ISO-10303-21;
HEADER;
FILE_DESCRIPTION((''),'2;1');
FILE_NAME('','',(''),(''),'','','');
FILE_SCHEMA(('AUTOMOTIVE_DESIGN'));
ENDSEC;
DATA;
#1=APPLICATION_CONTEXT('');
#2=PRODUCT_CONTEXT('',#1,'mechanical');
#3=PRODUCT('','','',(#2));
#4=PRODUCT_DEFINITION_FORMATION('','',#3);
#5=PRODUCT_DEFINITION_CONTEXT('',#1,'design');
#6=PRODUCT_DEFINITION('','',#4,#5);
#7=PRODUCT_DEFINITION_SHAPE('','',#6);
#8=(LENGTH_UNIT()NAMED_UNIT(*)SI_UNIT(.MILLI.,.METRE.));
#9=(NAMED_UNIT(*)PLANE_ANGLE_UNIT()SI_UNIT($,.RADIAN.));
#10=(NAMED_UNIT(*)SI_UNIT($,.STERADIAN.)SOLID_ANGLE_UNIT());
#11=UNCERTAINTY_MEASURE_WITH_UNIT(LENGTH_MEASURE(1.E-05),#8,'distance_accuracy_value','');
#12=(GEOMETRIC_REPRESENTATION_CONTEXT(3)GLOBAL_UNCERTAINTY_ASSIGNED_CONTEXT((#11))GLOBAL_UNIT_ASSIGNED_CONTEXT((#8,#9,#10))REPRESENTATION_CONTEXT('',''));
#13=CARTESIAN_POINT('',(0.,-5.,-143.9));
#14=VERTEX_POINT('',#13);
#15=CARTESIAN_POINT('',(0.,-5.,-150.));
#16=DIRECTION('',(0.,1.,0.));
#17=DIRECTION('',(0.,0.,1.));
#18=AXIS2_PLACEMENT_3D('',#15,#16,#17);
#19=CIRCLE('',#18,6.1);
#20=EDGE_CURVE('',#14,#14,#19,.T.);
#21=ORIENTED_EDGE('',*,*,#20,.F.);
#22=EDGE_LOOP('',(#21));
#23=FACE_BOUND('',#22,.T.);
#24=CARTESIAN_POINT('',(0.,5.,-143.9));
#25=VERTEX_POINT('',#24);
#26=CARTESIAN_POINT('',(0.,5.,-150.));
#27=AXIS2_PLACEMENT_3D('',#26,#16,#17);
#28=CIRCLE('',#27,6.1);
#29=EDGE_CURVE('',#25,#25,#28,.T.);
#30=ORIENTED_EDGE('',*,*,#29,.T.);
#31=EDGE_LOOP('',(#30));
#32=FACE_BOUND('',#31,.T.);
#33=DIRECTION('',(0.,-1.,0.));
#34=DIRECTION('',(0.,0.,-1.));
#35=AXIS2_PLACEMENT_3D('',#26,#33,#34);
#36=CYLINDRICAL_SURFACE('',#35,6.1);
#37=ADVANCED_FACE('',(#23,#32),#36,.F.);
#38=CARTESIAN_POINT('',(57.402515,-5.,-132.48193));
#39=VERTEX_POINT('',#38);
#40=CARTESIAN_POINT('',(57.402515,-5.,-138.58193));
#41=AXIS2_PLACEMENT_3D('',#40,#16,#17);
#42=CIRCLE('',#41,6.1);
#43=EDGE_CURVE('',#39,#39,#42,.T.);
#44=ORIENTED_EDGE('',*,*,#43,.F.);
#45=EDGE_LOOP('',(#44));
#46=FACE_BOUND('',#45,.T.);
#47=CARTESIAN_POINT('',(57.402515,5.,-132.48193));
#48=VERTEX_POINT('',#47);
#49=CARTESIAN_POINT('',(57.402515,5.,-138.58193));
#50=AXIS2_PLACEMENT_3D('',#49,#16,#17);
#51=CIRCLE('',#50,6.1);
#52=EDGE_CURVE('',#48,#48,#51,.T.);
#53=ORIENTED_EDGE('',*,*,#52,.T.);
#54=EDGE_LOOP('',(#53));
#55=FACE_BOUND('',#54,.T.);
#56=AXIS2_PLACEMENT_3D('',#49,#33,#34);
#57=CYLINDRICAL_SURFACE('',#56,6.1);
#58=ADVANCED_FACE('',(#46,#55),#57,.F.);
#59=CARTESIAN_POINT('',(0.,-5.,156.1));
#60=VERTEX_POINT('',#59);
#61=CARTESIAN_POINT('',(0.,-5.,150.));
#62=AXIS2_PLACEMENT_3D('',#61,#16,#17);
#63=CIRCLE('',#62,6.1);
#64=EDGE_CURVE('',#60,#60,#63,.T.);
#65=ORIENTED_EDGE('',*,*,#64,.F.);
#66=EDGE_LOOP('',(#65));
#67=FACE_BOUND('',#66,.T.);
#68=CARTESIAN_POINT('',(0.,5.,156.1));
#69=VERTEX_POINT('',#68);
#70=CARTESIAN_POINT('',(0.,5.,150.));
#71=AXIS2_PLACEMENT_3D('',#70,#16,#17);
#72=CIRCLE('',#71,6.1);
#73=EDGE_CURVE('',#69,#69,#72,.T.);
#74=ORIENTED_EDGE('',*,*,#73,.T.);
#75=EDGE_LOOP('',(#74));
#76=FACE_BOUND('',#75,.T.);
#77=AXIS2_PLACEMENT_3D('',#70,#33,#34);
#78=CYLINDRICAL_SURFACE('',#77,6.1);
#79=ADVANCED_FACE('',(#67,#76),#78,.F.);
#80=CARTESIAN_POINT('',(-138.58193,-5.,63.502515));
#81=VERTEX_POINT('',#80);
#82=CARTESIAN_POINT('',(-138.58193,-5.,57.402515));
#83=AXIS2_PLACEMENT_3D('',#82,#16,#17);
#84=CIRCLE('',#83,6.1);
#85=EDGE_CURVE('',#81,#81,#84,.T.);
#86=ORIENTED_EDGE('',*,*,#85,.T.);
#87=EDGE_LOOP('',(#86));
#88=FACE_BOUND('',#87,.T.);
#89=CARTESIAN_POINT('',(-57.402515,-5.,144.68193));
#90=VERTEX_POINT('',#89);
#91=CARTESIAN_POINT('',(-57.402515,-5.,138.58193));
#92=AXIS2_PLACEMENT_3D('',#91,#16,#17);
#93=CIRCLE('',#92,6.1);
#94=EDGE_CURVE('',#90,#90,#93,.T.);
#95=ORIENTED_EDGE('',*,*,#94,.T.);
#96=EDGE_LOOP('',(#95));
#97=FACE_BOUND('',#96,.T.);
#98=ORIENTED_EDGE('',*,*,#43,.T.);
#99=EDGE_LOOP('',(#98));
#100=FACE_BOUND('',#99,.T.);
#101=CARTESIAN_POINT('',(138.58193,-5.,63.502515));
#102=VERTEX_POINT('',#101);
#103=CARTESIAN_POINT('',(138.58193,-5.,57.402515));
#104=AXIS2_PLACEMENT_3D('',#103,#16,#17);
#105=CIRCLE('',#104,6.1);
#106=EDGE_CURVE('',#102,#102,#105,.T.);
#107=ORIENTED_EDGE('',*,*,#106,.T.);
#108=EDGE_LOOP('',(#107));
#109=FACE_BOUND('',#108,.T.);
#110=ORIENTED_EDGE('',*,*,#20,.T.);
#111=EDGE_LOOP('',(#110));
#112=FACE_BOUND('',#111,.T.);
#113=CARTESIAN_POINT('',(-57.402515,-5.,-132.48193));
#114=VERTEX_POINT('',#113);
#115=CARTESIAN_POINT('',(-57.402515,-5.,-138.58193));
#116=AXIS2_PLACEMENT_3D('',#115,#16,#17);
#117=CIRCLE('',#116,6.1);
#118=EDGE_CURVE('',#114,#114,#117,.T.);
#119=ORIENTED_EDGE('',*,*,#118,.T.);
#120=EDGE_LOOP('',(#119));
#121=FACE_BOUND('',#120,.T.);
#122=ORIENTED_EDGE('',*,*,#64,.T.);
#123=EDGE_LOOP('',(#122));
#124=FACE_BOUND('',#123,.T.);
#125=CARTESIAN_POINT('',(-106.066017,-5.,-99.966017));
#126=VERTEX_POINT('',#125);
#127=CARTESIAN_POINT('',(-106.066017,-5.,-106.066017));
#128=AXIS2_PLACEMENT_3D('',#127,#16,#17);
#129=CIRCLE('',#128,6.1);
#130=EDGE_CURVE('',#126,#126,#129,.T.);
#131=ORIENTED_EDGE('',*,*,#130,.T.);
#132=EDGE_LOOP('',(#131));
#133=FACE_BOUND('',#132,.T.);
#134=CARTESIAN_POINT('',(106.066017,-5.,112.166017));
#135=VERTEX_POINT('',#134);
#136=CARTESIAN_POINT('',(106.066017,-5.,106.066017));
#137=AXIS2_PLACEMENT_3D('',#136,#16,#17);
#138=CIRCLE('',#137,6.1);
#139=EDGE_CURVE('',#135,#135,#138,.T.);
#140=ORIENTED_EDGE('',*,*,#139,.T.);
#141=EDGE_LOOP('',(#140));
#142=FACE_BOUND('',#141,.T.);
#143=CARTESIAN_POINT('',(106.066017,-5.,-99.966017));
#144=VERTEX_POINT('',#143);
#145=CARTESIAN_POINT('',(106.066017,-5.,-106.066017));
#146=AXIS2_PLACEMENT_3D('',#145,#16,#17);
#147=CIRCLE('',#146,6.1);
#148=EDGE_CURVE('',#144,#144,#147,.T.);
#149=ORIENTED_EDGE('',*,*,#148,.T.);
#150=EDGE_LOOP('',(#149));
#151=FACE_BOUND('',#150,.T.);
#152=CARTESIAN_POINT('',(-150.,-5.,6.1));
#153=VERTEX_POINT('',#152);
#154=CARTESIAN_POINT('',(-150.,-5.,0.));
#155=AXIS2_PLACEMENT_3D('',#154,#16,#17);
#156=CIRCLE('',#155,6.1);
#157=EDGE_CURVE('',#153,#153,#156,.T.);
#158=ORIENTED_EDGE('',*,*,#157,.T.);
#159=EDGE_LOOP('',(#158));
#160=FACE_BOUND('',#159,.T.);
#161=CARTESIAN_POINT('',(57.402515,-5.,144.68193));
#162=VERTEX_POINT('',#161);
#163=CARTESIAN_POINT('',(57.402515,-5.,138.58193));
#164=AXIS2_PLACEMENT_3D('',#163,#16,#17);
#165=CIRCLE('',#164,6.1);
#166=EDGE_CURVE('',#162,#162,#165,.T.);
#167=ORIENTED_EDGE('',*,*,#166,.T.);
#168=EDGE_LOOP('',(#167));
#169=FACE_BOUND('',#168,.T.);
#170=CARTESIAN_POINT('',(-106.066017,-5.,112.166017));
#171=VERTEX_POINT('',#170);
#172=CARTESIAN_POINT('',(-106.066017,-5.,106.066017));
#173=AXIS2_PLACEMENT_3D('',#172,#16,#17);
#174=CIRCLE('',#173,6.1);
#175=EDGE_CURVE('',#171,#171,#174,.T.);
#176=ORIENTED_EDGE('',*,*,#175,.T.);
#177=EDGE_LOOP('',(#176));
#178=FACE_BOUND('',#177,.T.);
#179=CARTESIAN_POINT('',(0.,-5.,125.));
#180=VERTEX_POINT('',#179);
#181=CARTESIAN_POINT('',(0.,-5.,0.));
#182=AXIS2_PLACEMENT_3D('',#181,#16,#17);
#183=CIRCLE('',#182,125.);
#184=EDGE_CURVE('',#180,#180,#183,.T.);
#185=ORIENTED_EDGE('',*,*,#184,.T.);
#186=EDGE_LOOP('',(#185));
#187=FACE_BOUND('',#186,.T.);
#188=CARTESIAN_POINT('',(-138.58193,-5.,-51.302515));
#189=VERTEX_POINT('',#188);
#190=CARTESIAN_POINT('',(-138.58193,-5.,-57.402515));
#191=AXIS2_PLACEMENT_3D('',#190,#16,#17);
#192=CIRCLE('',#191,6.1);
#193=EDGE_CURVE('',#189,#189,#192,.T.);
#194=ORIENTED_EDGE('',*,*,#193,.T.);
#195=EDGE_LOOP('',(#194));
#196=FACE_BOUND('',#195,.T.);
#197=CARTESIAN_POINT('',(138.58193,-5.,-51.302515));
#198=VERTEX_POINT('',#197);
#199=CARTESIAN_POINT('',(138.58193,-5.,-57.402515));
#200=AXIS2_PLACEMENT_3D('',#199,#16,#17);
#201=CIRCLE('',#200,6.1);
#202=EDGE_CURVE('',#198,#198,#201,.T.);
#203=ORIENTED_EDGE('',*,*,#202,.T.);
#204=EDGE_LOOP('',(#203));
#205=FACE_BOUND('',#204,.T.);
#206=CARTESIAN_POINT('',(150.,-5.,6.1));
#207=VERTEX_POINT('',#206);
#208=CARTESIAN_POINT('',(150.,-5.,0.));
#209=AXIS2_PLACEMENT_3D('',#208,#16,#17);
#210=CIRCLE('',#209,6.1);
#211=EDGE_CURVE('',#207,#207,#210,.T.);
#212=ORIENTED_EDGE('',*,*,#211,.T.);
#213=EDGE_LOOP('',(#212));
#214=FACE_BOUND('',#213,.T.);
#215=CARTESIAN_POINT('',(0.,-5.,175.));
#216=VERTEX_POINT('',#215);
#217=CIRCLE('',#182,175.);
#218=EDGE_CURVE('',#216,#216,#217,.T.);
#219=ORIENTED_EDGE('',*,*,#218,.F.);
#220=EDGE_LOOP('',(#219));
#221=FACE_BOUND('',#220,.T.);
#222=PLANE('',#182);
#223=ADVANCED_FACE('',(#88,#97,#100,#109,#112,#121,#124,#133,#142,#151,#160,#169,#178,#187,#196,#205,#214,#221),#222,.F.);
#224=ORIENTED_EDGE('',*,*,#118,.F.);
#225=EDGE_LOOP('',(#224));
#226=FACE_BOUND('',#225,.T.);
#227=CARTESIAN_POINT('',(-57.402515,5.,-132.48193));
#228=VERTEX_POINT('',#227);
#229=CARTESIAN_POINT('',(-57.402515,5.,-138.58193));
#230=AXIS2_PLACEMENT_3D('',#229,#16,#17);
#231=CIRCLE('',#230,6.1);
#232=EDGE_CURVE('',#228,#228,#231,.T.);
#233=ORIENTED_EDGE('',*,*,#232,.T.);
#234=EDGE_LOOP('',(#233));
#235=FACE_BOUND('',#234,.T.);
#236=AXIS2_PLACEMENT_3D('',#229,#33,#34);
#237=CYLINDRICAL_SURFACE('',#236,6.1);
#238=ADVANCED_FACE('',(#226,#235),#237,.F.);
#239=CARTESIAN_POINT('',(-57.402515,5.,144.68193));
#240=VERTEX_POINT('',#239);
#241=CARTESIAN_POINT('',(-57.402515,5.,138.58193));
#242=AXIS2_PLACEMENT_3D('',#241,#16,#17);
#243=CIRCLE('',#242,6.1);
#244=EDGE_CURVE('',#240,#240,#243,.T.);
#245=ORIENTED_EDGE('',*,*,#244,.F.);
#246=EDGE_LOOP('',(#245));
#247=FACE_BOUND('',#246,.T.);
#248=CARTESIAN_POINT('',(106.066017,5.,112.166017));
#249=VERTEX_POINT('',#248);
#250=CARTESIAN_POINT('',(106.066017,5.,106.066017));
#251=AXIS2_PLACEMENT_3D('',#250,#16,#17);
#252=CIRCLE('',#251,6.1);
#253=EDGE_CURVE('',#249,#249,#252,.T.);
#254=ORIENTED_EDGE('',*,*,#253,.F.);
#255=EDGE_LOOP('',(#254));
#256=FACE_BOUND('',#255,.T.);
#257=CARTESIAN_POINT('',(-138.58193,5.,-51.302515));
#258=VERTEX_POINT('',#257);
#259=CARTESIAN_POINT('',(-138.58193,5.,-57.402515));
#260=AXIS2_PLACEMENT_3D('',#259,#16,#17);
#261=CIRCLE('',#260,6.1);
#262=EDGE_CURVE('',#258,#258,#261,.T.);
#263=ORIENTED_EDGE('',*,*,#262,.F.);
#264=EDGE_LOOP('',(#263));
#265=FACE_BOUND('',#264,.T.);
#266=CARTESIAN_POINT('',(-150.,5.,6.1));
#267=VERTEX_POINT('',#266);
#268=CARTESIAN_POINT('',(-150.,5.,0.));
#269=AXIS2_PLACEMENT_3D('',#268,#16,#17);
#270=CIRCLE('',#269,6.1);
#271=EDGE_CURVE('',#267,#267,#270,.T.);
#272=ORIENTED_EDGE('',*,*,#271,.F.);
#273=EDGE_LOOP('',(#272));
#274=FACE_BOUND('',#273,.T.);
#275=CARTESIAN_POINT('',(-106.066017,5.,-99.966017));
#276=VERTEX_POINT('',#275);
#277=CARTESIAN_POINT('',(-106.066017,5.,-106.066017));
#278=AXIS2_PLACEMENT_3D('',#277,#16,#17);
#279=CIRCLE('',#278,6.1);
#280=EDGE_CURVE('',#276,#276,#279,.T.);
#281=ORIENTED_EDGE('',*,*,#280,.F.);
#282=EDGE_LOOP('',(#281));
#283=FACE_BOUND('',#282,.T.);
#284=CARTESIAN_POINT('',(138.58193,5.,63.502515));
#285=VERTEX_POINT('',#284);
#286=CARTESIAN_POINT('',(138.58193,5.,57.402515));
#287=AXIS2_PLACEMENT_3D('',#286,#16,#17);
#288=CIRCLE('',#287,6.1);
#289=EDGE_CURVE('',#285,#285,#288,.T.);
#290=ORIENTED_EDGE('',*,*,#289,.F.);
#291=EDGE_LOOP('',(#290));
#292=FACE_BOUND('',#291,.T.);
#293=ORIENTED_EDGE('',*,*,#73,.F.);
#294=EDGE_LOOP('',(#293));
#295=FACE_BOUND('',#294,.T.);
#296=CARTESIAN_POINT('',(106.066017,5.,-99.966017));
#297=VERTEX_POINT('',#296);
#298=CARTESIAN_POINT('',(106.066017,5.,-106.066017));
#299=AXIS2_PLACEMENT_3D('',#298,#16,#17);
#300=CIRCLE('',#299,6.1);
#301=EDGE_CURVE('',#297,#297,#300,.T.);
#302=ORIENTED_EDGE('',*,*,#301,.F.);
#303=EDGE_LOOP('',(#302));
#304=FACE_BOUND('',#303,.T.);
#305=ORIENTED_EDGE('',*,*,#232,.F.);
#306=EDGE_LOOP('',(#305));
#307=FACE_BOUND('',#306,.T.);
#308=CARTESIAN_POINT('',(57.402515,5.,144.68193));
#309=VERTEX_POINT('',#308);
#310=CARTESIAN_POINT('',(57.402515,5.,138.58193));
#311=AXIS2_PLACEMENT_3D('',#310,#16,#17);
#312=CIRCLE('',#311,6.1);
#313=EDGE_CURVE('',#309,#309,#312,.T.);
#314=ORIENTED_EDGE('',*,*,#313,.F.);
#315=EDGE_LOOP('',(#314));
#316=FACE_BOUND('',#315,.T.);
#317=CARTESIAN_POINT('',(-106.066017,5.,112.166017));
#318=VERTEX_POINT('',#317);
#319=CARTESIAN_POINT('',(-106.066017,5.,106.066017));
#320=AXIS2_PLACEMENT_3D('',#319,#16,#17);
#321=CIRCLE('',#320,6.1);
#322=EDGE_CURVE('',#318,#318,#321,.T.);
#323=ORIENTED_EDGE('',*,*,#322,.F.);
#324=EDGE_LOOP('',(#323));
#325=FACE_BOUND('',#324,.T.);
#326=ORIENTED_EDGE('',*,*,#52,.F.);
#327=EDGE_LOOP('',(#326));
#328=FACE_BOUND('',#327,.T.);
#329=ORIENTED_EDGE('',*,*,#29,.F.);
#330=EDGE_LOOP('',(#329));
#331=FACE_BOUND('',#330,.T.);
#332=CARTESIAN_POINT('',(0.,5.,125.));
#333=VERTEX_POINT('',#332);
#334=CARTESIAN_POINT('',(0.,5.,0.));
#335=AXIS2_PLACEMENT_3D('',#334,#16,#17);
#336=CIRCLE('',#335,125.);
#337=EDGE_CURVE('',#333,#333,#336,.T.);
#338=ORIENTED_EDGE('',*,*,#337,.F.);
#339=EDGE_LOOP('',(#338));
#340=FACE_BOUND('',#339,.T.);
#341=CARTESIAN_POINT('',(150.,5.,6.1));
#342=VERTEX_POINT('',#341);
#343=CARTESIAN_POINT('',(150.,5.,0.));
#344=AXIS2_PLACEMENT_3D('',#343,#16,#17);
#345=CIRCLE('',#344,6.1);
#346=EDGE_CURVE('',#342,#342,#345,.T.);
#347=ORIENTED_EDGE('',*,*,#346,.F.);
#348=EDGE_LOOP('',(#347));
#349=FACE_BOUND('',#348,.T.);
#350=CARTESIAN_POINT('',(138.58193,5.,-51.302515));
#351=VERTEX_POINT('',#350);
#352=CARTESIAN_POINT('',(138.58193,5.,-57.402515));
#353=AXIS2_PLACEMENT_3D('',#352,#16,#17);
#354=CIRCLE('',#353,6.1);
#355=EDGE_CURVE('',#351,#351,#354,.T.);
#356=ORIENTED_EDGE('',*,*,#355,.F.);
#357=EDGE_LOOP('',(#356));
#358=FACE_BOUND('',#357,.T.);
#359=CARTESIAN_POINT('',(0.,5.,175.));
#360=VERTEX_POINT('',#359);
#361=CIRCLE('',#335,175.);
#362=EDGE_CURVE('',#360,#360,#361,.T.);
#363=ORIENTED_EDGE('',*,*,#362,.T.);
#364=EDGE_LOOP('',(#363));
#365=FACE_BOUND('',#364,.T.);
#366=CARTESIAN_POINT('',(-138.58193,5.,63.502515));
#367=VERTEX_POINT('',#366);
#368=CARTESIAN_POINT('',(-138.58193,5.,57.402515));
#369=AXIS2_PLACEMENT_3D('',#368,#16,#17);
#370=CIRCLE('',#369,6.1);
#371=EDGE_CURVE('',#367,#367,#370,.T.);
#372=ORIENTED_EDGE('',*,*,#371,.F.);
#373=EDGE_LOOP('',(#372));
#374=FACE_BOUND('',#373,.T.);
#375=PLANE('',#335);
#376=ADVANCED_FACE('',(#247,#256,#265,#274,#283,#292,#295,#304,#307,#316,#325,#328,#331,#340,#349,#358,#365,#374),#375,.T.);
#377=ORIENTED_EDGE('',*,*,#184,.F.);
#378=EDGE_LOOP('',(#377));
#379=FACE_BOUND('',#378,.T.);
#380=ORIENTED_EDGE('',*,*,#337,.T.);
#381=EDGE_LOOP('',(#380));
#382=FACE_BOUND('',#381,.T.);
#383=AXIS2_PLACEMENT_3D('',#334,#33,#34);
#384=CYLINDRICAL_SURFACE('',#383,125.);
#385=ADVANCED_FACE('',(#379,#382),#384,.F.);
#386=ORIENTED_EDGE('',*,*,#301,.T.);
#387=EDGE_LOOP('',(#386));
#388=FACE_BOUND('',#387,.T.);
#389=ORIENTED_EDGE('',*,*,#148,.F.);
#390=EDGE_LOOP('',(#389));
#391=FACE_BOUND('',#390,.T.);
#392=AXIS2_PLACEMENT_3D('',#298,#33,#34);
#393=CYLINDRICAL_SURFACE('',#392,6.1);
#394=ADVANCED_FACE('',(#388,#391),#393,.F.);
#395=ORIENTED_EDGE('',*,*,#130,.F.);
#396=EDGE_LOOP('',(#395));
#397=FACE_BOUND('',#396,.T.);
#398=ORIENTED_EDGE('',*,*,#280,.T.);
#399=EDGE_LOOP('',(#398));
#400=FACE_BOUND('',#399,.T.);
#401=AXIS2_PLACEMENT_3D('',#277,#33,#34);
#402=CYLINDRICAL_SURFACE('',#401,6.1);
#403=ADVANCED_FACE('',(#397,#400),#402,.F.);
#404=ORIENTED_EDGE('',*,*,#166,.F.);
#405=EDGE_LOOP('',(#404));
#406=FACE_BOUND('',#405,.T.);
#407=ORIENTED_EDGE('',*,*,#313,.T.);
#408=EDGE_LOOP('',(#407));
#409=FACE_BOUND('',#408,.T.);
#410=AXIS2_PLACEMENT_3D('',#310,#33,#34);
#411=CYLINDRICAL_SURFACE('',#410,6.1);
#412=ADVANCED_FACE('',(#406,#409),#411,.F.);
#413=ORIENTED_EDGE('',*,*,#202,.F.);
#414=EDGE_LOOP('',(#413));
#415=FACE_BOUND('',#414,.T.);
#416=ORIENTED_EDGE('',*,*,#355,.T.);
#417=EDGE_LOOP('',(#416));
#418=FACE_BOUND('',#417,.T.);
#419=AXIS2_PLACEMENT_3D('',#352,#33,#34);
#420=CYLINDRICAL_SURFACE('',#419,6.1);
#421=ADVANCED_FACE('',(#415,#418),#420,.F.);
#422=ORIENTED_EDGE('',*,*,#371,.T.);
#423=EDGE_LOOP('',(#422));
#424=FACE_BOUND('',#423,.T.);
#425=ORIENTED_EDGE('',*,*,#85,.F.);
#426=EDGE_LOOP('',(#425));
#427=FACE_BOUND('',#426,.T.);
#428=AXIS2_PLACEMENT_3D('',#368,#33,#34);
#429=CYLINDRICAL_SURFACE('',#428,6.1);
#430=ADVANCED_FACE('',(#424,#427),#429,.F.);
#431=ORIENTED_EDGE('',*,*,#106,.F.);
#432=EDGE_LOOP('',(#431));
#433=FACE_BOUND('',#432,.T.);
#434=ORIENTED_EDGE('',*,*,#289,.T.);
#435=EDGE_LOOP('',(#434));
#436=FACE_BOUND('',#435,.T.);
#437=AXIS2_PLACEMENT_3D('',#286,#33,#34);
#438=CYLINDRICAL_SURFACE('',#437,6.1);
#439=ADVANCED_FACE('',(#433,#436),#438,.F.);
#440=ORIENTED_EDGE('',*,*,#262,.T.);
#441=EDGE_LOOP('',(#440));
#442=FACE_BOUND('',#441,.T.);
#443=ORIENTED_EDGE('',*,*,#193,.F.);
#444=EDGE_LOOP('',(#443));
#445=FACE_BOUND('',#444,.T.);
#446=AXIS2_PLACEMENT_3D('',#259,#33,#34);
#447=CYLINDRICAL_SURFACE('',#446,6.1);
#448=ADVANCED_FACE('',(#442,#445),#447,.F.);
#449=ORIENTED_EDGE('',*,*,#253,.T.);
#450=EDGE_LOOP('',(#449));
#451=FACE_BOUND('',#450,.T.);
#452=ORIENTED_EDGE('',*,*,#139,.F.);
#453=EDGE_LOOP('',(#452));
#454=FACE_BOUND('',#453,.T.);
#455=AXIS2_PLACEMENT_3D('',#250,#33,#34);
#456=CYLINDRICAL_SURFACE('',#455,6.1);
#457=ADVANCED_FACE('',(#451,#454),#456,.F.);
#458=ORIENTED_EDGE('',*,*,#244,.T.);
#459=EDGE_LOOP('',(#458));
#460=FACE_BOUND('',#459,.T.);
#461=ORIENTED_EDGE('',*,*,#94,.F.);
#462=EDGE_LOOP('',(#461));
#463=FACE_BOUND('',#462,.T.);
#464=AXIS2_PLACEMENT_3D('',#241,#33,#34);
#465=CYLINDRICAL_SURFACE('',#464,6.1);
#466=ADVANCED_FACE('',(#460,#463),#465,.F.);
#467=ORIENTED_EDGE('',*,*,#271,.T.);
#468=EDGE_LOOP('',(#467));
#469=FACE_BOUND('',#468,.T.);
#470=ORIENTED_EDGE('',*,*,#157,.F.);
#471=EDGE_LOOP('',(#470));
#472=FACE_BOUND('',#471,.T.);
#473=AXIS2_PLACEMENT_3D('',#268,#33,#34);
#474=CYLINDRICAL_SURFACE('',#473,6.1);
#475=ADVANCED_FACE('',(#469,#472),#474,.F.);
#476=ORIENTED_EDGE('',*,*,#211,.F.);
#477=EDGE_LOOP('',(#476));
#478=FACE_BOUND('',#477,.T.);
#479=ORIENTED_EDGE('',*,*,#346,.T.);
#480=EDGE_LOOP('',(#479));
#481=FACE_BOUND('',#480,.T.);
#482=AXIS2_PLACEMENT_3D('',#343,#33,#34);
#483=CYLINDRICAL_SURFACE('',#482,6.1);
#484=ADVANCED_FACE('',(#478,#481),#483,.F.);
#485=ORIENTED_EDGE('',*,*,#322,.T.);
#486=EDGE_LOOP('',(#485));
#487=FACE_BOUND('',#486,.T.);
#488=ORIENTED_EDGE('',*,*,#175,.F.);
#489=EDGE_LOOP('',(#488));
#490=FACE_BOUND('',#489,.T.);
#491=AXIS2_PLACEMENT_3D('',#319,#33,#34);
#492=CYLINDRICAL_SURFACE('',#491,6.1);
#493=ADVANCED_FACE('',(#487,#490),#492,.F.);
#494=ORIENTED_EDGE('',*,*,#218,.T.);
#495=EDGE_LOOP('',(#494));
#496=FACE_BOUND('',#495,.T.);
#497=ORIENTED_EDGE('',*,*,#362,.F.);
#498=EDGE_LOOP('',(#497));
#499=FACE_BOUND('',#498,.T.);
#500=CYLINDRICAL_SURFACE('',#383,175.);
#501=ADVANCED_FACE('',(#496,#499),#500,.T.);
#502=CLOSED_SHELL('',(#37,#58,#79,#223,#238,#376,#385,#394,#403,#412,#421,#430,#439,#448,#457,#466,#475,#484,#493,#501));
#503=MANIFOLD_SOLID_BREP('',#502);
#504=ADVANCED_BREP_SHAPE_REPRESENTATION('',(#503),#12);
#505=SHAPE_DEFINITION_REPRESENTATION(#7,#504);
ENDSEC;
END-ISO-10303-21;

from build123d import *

# Parameters (mm, degrees)
SKETCH1_R           = 175
SKETCH1_R_2         = 125
SKETCH1_R_3         = 6.1
BOSS_EXTRUDE1_DEPTH = 5


with BuildPart() as part:
    # Sketch1 → Boss-Extrude1 (new, symmetric)
    with BuildSketch(Plane(origin=(0, 0, 0), x_dir=(1, 0, 0), z_dir=(0, 1, 0))):
        with Locations(Location((0, 0, 0), (0, 0, 270))):
            Circle(SKETCH1_R)
        with Locations(Location((0, 0, 0), (0, 0, 270))):
            Circle(SKETCH1_R_2, mode=Mode.SUBTRACT)
        with Locations(Location((0, 150, 0), (0, 0, 270))):
            Circle(SKETCH1_R_3, mode=Mode.SUBTRACT)
        with Locations(Location((57.402514855, 138.581929877, 0), (0, 0, 270))):
            Circle(SKETCH1_R_3, mode=Mode.SUBTRACT)
        with Locations(Location((106.066017178, 106.066017178, 0), (0, 0, 270))):
            Circle(SKETCH1_R_3, mode=Mode.SUBTRACT)
        with Locations(Location((138.581929877, 57.402514855, 0), (0, 0, 270))):
            Circle(SKETCH1_R_3, mode=Mode.SUBTRACT)
        with Locations(Location((150, 0, 0), (0, 0, 270))):
            Circle(SKETCH1_R_3, mode=Mode.SUBTRACT)
        with Locations(Location((138.581929877, -57.402514855, 0), (0, 0, 270))):
            Circle(SKETCH1_R_3, mode=Mode.SUBTRACT)
        with Locations(Location((106.066017178, -106.066017178, 0), (0, 0, 270))):
            Circle(SKETCH1_R_3, mode=Mode.SUBTRACT)
        with Locations(Location((57.402514855, -138.581929877, 0), (0, 0, 270))):
            Circle(SKETCH1_R_3, mode=Mode.SUBTRACT)
        with Locations(Location((0, -150, 0), (0, 0, 270))):
            Circle(SKETCH1_R_3, mode=Mode.SUBTRACT)
        with Locations(Location((-57.402514855, -138.581929877, 0), (0, 0, 270))):
            Circle(SKETCH1_R_3, mode=Mode.SUBTRACT)
        with Locations(Location((-106.066017178, -106.066017178, 0), (0, 0, 270))):
            Circle(SKETCH1_R_3, mode=Mode.SUBTRACT)
        with Locations(Location((-138.581929877, -57.402514855, 0), (0, 0, 270))):
            Circle(SKETCH1_R_3, mode=Mode.SUBTRACT)
        with Locations(Location((-150, 0, 0), (0, 0, 270))):
            Circle(SKETCH1_R_3, mode=Mode.SUBTRACT)
        with Locations(Location((-138.581929877, 57.402514855, 0), (0, 0, 270))):
            Circle(SKETCH1_R_3, mode=Mode.SUBTRACT)
        with Locations(Location((-106.066017178, 106.066017178, 0), (0, 0, 270))):
            Circle(SKETCH1_R_3, mode=Mode.SUBTRACT)
        with Locations(Location((-57.402514855, 138.581929877, 0), (0, 0, 270))):
            Circle(SKETCH1_R_3, mode=Mode.SUBTRACT)
    extrude(amount=BOSS_EXTRUDE1_DEPTH, both=True)


solid = part.part
